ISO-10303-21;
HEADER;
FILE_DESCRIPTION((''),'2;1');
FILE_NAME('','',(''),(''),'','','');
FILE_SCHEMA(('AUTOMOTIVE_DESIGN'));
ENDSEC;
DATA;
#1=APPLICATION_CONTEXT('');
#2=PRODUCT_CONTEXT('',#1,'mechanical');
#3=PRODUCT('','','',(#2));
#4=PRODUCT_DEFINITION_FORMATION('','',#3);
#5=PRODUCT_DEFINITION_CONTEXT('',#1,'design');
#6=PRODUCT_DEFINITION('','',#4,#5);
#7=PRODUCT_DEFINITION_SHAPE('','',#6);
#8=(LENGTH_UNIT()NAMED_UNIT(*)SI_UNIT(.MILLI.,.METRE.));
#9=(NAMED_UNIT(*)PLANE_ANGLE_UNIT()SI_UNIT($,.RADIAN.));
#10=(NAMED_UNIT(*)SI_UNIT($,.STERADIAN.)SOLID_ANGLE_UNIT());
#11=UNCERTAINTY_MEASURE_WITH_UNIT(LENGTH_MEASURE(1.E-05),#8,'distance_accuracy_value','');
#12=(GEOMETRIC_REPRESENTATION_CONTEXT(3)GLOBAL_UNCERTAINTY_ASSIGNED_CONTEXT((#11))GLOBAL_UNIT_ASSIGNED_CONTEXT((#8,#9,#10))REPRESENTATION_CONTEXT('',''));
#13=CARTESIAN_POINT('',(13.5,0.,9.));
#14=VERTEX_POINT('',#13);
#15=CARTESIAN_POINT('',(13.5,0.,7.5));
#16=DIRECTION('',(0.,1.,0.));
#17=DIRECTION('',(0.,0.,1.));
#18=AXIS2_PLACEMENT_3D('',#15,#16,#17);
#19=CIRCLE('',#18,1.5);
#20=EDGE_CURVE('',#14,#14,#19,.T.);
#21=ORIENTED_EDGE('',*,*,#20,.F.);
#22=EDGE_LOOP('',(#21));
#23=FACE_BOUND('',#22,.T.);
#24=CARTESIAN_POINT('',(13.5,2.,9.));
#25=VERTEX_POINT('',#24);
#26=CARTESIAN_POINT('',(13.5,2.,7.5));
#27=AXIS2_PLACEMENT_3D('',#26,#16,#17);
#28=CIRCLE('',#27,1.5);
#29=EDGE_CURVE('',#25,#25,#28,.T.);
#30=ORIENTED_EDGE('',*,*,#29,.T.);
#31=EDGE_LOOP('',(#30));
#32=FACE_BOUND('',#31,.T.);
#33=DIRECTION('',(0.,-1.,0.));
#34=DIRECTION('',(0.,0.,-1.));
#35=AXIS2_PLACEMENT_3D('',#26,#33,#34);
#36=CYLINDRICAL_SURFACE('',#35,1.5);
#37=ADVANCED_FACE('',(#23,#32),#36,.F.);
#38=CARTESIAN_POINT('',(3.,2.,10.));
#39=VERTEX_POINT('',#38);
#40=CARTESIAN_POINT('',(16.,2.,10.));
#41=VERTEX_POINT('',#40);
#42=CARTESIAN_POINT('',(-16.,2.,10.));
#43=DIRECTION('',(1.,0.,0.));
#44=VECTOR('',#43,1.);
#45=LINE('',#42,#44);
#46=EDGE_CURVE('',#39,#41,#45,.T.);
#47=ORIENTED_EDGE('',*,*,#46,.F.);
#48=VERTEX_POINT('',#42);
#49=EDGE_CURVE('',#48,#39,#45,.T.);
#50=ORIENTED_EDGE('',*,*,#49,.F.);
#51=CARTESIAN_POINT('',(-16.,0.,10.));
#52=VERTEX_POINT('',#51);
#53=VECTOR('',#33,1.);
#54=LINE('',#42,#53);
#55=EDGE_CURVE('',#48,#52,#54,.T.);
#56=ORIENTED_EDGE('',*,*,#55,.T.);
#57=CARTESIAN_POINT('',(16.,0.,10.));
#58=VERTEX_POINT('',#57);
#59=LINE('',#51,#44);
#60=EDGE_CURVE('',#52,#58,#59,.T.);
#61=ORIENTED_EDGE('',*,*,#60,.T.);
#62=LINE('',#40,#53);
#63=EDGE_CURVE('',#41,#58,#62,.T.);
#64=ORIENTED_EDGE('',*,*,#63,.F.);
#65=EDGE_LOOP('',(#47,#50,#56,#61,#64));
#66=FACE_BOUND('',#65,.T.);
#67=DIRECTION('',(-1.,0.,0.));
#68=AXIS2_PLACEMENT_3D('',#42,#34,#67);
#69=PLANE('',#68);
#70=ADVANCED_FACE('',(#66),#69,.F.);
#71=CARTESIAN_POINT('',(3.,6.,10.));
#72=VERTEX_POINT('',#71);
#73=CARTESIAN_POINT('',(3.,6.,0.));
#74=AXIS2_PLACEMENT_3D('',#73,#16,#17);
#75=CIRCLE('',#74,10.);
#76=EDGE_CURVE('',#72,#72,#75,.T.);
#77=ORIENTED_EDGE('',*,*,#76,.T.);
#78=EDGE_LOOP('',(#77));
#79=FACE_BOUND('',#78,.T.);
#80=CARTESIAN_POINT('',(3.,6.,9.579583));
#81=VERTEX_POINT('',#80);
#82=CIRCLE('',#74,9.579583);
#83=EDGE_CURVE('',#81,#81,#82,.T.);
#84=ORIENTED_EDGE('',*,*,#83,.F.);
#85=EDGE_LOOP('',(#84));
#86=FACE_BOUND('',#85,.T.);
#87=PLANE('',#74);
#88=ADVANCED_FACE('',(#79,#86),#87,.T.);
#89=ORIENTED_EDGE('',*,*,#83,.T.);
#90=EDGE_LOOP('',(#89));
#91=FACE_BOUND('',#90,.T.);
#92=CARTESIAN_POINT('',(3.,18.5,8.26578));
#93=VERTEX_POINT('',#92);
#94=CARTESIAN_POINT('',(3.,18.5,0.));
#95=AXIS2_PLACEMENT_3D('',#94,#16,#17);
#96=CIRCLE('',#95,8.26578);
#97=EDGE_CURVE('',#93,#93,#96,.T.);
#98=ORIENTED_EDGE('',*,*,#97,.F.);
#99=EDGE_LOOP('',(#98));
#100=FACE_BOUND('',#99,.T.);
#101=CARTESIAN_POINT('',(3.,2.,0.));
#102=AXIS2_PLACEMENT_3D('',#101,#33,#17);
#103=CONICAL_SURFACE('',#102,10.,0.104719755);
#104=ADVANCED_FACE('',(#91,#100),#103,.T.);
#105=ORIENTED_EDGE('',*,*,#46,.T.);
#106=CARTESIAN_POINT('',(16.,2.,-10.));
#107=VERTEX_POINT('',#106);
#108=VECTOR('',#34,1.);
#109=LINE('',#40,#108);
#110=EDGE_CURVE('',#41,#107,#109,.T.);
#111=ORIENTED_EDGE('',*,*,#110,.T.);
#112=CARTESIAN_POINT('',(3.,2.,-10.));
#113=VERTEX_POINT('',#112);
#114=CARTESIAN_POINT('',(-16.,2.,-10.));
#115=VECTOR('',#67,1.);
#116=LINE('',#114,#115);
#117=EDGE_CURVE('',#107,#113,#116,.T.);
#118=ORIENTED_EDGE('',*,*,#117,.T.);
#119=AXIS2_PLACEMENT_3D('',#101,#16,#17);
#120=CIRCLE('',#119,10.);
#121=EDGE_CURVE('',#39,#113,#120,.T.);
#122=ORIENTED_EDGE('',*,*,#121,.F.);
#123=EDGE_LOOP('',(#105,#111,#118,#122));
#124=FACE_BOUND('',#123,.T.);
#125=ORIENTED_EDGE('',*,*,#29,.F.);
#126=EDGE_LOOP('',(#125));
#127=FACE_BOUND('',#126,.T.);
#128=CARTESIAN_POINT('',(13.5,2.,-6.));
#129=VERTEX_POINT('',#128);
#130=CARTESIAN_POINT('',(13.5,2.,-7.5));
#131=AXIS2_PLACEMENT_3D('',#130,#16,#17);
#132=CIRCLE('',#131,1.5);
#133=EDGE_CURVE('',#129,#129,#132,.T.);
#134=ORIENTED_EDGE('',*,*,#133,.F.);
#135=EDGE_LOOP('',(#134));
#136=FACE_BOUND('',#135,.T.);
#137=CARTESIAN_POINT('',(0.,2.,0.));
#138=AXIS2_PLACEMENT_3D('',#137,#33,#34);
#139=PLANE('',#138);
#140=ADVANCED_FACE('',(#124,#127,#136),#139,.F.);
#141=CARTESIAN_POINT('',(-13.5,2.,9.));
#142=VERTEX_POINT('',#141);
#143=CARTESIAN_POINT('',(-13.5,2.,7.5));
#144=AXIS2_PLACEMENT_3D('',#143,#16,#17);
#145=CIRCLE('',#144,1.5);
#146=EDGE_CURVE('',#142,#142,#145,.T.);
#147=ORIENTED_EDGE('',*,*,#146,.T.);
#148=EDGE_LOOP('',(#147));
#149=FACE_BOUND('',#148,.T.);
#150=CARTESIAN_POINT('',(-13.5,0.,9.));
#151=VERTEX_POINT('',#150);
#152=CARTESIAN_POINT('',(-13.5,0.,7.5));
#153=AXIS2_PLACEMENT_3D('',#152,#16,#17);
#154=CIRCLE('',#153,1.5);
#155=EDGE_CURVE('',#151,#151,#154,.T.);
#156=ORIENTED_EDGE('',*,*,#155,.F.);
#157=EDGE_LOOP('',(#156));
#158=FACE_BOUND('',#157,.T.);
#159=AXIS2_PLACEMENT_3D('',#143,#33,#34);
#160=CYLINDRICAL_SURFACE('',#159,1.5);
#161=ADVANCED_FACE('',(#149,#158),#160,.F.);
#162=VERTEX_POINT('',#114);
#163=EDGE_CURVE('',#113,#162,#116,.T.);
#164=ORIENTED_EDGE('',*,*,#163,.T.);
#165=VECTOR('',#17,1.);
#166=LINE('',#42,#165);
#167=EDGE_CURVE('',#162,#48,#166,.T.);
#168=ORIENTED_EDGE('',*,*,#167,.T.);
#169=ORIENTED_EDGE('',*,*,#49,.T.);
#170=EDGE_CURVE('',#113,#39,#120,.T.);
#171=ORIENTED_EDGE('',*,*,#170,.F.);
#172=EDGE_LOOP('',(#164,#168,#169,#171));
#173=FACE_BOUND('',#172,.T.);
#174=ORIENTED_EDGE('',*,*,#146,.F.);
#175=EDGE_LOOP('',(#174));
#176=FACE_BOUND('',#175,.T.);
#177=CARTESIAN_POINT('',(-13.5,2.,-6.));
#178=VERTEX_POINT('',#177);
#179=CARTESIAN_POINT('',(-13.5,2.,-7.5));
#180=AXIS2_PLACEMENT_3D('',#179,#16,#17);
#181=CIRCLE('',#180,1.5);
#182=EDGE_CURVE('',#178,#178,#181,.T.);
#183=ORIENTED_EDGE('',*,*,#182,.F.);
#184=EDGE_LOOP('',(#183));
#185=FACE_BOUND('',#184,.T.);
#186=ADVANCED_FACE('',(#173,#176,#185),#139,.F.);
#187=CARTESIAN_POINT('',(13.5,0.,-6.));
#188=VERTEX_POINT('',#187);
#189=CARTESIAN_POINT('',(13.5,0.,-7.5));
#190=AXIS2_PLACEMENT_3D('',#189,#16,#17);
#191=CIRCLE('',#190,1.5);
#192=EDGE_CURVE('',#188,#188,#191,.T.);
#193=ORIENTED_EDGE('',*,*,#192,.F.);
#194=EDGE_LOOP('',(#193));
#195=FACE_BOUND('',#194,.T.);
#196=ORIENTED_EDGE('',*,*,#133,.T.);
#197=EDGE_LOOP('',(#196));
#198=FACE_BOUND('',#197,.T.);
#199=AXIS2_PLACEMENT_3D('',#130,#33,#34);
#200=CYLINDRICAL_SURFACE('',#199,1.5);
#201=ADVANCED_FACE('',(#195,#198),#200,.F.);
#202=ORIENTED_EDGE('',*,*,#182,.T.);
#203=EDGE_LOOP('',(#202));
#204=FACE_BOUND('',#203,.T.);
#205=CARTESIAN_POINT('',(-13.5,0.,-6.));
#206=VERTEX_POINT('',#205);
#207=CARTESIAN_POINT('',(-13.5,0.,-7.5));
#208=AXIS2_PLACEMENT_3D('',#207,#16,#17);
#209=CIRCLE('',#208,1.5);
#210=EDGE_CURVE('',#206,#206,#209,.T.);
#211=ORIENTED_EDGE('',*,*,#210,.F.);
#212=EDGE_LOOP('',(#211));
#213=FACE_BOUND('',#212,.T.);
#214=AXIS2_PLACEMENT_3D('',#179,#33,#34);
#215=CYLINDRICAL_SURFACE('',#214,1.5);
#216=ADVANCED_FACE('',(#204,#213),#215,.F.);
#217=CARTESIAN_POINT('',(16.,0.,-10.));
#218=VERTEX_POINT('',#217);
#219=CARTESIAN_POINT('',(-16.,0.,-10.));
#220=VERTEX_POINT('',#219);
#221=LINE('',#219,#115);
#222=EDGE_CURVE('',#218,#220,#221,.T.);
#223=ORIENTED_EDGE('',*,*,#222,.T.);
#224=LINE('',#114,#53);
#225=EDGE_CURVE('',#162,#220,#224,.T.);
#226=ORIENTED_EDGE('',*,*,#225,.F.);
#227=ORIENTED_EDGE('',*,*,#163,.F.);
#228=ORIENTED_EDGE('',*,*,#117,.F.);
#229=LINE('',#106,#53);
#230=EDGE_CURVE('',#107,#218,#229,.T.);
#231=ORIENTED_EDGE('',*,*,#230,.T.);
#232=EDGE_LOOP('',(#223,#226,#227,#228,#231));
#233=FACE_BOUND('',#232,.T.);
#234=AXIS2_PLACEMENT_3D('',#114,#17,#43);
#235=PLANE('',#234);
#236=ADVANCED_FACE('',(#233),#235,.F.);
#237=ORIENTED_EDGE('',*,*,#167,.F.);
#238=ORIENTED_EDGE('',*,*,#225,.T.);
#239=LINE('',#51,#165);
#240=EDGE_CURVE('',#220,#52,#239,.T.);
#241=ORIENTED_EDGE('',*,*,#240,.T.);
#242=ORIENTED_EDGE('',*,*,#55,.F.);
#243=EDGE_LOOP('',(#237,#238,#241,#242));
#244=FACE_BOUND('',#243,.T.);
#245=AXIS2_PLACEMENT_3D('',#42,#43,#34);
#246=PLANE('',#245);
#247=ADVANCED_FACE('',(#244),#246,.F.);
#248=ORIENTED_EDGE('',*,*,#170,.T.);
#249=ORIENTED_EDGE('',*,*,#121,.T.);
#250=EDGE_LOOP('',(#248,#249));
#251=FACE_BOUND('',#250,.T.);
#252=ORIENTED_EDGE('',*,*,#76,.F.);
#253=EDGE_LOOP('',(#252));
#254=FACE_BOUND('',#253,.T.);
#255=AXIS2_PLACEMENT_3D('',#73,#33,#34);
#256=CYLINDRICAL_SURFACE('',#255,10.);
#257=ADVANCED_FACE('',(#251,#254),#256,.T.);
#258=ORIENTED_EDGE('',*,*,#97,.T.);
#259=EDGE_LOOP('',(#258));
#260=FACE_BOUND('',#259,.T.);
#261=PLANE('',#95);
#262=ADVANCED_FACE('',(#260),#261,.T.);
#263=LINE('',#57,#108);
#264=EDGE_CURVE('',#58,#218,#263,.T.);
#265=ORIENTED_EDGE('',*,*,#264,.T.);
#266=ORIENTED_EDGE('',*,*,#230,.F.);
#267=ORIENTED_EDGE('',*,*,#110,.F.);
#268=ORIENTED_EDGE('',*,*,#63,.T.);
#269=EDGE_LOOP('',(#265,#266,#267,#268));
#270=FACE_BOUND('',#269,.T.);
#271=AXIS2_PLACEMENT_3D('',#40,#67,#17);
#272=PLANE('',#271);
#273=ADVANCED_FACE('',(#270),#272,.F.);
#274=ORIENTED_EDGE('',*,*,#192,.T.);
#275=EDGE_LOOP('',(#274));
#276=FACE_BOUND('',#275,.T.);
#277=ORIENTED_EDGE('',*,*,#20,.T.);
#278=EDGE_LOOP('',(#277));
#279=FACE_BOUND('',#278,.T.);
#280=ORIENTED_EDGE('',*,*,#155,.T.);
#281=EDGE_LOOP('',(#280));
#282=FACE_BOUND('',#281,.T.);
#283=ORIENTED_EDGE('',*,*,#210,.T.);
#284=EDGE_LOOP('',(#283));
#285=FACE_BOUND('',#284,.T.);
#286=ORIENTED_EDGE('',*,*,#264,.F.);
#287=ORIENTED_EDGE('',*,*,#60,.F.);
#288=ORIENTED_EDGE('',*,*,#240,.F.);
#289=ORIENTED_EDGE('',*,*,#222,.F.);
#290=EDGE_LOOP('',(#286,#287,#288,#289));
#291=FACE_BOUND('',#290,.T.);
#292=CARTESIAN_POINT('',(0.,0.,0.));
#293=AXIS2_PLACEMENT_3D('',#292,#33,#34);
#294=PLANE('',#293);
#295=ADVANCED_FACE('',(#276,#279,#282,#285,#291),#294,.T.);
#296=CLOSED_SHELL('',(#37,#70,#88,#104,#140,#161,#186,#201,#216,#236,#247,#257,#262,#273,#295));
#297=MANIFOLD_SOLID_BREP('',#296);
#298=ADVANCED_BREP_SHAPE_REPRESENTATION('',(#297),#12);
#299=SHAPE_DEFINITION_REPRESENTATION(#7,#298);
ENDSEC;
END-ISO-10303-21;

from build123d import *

# Parameters (mm, degrees)
CROQUIS1_W              = 32
CROQUIS1_H              = 20
CROQUIS1_R              = 1.5
SALIENTE_EXTRUIR1_DEPTH = 2
CROQUIS2_R              = 10
SALIENTE_EXTRUIR2_DEPTH = 16.5
SALIENTE_EXTRUIR2_TAPER = 6
CROQUIS4_R              = 10
SALIENTE_EXTRUIR3_DEPTH = 4


with BuildPart() as part:
    # Croquis1 → Saliente-Extruir1 (new body)
    with BuildSketch(Plane(origin=(0, 0, 0), x_dir=(1, 0, 0), z_dir=(0, 1, 0))):
        Rectangle(CROQUIS1_W, CROQUIS1_H)
        with Locations(Location((-13.5, 7.5, 0), (0, 0, 270))):
            Circle(CROQUIS1_R, mode=Mode.SUBTRACT)
        with Locations(Location((13.5, 7.5, 0), (0, 0, 270))):
            Circle(CROQUIS1_R, mode=Mode.SUBTRACT)
        with Locations(Location((-13.5, -7.5, 0), (0, 0, 270))):
            Circle(CROQUIS1_R, mode=Mode.SUBTRACT)
        with Locations(Location((13.5, -7.5, 0), (0, 0, 270))):
            Circle(CROQUIS1_R, mode=Mode.SUBTRACT)
    extrude(amount=SALIENTE_EXTRUIR1_DEPTH)

    # Croquis2 → Saliente-Extruir2 (add)
    with BuildSketch(Plane(origin=(0, 2, 0), x_dir=(1, 0, 0), z_dir=(0, 1, 0))):
        with Locations((3, 0)):
            Circle(CROQUIS2_R)
    extrude(amount=SALIENTE_EXTRUIR2_DEPTH, taper=SALIENTE_EXTRUIR2_TAPER)

    # Croquis4 → Saliente-Extruir3 (add)
    with BuildSketch(Plane(origin=(0, 2, 0), x_dir=(1, 0, 0), z_dir=(0, 1, 0))):
        with Locations(Location((3, 0, 0), (0, 0, 270))):
            Circle(CROQUIS4_R)
    extrude(amount=SALIENTE_EXTRUIR3_DEPTH)


solid = part.part
